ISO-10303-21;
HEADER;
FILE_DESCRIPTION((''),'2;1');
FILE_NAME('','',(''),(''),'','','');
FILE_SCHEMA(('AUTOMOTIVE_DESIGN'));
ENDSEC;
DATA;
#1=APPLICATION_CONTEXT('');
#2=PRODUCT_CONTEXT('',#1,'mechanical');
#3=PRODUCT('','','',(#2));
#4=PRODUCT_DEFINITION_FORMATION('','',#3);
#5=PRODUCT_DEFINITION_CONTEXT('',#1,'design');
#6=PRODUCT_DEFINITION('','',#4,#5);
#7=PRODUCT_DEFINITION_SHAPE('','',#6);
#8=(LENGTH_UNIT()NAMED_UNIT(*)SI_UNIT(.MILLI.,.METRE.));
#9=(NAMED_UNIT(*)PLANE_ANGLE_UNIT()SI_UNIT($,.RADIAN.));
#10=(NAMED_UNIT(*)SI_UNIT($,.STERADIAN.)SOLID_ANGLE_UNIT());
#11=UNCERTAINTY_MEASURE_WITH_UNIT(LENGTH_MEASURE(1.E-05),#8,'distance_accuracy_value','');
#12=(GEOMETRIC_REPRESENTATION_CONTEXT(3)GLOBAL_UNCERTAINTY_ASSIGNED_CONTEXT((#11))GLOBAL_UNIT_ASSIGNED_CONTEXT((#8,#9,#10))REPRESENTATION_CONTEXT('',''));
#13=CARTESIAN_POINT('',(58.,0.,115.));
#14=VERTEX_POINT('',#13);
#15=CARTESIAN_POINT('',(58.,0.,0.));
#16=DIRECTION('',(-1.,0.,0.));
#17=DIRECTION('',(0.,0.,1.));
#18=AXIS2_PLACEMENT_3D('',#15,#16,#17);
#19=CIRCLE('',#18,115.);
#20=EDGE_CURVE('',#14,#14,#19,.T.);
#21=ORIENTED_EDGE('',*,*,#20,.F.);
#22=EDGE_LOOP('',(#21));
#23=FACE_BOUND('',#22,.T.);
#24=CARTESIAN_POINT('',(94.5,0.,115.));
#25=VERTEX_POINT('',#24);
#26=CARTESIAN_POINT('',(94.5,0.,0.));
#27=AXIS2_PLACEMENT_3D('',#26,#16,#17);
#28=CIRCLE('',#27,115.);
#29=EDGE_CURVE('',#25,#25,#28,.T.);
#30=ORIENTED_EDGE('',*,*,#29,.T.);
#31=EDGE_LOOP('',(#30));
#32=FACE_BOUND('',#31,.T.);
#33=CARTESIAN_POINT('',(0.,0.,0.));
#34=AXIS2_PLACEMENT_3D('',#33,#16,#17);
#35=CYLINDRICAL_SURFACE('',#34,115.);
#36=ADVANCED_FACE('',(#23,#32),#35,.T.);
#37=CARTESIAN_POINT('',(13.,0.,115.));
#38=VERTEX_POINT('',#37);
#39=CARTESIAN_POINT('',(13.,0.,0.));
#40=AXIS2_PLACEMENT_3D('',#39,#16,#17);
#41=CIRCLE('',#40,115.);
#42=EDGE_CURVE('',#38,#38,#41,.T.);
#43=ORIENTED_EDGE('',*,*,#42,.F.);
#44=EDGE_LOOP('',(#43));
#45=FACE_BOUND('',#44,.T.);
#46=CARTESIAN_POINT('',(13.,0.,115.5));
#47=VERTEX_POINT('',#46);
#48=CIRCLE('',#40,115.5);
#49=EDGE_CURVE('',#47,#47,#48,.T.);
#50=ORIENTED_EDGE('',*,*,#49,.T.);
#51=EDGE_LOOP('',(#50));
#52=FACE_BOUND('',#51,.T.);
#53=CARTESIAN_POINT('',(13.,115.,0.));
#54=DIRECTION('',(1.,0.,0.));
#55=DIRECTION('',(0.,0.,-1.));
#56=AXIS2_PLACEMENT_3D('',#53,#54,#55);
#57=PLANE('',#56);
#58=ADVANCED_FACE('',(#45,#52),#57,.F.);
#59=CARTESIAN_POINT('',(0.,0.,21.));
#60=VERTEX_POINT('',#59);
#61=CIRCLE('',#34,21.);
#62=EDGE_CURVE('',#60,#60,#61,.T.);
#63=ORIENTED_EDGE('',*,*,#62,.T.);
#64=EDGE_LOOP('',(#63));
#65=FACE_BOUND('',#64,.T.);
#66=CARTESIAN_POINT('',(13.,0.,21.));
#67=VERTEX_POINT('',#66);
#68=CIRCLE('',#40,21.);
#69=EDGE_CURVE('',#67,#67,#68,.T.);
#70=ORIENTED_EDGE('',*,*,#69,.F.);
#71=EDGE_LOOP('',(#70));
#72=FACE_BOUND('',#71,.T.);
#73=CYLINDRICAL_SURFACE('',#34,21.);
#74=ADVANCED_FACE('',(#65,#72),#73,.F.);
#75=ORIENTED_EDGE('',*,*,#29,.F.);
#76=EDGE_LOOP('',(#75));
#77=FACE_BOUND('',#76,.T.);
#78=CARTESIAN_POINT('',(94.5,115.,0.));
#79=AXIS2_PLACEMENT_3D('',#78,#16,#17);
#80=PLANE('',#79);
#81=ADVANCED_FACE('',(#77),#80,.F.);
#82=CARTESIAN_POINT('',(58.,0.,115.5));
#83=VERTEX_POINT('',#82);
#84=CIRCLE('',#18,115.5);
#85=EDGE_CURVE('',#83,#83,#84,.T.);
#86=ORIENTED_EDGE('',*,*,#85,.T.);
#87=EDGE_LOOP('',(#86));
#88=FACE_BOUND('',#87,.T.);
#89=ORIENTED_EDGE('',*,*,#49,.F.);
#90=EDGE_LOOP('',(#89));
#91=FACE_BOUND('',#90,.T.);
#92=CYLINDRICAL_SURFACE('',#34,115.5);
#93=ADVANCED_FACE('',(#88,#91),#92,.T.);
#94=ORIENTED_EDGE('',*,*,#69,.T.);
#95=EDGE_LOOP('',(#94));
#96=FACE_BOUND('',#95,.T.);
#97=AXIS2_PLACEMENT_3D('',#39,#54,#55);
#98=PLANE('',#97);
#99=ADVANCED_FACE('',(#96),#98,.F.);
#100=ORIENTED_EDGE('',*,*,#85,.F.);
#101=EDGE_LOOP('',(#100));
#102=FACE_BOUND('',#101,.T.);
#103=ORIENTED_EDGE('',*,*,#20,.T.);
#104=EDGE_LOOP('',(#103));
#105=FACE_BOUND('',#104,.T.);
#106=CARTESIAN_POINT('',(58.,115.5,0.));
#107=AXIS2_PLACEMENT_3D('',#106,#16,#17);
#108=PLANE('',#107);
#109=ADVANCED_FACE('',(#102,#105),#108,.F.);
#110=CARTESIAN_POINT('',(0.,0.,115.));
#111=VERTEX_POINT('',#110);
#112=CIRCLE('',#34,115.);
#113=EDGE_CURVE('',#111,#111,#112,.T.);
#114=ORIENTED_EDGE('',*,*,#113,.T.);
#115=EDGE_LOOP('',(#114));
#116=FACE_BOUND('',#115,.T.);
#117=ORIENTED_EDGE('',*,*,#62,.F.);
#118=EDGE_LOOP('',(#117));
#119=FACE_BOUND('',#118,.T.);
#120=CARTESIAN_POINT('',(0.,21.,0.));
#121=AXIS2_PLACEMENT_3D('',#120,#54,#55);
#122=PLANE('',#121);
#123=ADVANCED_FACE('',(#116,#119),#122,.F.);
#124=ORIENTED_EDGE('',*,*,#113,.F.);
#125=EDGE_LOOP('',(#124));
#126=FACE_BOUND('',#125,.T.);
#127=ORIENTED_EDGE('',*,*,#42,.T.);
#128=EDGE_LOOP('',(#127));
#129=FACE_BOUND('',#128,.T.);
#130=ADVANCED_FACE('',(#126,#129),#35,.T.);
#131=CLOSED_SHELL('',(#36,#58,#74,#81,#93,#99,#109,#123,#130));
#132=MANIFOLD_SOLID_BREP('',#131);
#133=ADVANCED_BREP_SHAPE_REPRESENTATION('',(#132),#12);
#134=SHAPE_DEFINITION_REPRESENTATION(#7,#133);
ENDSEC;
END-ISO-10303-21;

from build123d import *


with BuildPart() as part:
    # ｽｹｯﾁ1 → 回転1 (revolve)
    with BuildSketch(Plane.XY, mode=Mode.PRIVATE) as revolve_1_sk:
        Polygon((0, 21), (0, 115), (13, 115), (13, 115.5), (58, 115.5), (58, 115), (94.5, 115), (94.5, 0), (13, 0), (13, 21), align=None)
    revolve(revolve_1_sk.sketch.rotate(Axis((0, 0, 0), (1, 0, 0)), 90), axis=Axis((0, 0, 0), (1, 0, 0)))


solid = part.part
